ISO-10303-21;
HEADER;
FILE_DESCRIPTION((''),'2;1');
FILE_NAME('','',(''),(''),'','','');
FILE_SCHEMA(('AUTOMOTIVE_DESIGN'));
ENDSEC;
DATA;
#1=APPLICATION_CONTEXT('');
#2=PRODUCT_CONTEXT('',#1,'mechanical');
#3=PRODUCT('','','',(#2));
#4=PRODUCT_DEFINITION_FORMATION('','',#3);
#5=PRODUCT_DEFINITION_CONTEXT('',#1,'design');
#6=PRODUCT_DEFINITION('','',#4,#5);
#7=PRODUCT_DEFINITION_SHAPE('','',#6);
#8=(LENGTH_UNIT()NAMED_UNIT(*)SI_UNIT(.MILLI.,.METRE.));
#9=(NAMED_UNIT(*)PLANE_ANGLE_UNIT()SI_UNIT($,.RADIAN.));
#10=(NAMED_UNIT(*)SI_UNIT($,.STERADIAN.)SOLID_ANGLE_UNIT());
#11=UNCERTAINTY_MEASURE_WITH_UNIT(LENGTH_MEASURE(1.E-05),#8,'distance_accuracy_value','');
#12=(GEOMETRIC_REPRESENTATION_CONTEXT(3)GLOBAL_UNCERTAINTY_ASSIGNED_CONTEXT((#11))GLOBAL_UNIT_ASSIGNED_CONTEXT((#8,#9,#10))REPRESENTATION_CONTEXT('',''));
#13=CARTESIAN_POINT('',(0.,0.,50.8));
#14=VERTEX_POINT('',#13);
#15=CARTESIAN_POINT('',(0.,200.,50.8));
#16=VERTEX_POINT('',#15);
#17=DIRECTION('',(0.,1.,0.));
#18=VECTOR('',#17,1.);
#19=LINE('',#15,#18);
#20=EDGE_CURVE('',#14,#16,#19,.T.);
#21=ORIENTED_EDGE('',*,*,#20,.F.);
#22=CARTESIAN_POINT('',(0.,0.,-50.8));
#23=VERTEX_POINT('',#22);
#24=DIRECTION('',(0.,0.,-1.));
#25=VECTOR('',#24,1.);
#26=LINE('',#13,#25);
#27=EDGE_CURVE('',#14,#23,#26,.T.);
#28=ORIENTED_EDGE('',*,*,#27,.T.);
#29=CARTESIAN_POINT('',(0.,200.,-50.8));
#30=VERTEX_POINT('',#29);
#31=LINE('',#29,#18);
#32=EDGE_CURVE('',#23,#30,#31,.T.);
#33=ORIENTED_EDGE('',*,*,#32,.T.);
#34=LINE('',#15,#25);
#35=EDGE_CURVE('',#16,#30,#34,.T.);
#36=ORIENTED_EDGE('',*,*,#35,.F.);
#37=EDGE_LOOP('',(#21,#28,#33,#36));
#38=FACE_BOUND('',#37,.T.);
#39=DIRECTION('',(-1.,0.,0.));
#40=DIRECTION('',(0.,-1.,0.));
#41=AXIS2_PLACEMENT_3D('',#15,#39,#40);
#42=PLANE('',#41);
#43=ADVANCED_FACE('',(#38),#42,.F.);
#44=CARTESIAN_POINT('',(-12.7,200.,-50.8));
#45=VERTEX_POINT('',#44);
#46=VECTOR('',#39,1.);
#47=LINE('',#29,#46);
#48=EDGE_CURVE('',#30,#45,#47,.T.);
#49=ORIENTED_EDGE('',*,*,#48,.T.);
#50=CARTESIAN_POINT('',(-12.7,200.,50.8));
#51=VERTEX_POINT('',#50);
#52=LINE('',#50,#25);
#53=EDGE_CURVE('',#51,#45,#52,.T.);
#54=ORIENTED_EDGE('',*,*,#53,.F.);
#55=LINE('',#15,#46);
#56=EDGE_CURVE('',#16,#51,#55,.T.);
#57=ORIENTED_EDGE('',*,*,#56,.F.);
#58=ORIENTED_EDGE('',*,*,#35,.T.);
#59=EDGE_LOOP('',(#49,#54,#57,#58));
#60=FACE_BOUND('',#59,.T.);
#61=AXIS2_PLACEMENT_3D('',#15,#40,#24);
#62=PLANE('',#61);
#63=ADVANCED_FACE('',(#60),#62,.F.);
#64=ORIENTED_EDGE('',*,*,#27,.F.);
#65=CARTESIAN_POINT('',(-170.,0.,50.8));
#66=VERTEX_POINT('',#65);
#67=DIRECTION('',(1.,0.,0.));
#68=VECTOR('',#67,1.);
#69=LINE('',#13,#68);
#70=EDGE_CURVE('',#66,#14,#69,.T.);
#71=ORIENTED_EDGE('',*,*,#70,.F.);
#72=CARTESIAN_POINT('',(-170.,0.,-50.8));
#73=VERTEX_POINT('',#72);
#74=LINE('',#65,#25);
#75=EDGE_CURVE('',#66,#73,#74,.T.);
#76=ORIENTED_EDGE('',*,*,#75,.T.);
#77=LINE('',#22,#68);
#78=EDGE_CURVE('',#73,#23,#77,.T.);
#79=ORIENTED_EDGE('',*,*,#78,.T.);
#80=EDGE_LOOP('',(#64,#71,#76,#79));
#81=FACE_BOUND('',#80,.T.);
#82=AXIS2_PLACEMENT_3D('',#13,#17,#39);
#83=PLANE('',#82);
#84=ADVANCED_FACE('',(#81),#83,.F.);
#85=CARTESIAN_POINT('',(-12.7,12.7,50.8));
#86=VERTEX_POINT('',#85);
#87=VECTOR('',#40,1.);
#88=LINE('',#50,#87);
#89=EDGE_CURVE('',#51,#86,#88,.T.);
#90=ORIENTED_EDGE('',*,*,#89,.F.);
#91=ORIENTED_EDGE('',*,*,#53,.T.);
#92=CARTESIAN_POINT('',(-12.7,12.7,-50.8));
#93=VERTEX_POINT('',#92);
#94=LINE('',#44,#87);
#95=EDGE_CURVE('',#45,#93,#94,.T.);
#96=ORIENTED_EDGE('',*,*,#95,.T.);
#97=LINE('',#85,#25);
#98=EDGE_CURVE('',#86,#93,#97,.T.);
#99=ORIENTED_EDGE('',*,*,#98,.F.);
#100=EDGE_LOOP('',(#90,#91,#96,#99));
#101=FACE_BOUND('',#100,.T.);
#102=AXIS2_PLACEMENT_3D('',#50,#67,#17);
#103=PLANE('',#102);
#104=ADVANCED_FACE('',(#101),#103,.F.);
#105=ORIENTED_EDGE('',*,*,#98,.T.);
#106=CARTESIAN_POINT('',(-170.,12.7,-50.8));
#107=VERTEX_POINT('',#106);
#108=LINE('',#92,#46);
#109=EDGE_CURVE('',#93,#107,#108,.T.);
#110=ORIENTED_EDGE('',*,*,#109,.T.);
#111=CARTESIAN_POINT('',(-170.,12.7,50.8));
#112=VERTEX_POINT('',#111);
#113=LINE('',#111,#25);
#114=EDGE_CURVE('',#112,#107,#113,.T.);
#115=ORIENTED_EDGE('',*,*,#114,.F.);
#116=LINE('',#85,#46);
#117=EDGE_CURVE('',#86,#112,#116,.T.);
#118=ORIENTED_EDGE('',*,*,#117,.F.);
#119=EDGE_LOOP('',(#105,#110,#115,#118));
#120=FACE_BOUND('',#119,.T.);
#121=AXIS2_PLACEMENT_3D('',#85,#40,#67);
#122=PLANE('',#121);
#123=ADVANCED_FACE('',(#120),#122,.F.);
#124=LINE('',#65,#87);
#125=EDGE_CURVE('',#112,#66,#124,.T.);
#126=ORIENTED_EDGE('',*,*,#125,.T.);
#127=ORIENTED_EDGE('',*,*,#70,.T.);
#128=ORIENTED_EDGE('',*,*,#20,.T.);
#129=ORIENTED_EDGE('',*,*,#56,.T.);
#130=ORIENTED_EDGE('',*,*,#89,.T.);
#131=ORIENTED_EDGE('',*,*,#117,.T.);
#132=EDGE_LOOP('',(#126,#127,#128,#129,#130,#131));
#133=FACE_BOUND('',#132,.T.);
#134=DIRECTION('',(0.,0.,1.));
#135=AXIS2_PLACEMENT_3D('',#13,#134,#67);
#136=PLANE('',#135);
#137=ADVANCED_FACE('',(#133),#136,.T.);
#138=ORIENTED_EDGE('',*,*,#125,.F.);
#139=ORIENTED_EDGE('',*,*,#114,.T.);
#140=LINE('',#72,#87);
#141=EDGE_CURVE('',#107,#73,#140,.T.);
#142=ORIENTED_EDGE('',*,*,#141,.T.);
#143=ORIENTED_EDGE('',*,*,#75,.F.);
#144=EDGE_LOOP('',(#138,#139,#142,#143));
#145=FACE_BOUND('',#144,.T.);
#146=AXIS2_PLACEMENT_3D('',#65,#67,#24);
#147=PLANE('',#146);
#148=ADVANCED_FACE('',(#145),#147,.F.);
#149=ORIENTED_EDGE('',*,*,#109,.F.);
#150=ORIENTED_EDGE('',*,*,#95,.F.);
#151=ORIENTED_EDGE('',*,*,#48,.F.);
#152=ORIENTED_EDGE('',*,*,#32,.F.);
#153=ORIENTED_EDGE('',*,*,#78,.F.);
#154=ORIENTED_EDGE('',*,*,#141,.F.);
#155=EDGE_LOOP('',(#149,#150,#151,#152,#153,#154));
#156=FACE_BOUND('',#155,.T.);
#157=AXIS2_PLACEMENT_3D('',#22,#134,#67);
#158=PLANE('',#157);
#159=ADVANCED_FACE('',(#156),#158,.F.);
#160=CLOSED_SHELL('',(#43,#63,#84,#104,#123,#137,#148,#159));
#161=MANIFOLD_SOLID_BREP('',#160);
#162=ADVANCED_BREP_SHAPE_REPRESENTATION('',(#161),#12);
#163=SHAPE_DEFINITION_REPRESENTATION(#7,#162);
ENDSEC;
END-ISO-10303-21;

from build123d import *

# Parameters (mm, degrees)
BOSS_EXTRUDE1_DEPTH = 50.8


with BuildPart() as part:
    # Sketch1 → Boss-Extrude1 (new, symmetric)
    with BuildSketch(Plane.XY):
        Polygon((0, 200), (0, 0), (-170, 0), (-170, 12.7), (-12.7, 12.7), (-12.7, 200), align=None)
    extrude(amount=BOSS_EXTRUDE1_DEPTH, both=True)


solid = part.part
